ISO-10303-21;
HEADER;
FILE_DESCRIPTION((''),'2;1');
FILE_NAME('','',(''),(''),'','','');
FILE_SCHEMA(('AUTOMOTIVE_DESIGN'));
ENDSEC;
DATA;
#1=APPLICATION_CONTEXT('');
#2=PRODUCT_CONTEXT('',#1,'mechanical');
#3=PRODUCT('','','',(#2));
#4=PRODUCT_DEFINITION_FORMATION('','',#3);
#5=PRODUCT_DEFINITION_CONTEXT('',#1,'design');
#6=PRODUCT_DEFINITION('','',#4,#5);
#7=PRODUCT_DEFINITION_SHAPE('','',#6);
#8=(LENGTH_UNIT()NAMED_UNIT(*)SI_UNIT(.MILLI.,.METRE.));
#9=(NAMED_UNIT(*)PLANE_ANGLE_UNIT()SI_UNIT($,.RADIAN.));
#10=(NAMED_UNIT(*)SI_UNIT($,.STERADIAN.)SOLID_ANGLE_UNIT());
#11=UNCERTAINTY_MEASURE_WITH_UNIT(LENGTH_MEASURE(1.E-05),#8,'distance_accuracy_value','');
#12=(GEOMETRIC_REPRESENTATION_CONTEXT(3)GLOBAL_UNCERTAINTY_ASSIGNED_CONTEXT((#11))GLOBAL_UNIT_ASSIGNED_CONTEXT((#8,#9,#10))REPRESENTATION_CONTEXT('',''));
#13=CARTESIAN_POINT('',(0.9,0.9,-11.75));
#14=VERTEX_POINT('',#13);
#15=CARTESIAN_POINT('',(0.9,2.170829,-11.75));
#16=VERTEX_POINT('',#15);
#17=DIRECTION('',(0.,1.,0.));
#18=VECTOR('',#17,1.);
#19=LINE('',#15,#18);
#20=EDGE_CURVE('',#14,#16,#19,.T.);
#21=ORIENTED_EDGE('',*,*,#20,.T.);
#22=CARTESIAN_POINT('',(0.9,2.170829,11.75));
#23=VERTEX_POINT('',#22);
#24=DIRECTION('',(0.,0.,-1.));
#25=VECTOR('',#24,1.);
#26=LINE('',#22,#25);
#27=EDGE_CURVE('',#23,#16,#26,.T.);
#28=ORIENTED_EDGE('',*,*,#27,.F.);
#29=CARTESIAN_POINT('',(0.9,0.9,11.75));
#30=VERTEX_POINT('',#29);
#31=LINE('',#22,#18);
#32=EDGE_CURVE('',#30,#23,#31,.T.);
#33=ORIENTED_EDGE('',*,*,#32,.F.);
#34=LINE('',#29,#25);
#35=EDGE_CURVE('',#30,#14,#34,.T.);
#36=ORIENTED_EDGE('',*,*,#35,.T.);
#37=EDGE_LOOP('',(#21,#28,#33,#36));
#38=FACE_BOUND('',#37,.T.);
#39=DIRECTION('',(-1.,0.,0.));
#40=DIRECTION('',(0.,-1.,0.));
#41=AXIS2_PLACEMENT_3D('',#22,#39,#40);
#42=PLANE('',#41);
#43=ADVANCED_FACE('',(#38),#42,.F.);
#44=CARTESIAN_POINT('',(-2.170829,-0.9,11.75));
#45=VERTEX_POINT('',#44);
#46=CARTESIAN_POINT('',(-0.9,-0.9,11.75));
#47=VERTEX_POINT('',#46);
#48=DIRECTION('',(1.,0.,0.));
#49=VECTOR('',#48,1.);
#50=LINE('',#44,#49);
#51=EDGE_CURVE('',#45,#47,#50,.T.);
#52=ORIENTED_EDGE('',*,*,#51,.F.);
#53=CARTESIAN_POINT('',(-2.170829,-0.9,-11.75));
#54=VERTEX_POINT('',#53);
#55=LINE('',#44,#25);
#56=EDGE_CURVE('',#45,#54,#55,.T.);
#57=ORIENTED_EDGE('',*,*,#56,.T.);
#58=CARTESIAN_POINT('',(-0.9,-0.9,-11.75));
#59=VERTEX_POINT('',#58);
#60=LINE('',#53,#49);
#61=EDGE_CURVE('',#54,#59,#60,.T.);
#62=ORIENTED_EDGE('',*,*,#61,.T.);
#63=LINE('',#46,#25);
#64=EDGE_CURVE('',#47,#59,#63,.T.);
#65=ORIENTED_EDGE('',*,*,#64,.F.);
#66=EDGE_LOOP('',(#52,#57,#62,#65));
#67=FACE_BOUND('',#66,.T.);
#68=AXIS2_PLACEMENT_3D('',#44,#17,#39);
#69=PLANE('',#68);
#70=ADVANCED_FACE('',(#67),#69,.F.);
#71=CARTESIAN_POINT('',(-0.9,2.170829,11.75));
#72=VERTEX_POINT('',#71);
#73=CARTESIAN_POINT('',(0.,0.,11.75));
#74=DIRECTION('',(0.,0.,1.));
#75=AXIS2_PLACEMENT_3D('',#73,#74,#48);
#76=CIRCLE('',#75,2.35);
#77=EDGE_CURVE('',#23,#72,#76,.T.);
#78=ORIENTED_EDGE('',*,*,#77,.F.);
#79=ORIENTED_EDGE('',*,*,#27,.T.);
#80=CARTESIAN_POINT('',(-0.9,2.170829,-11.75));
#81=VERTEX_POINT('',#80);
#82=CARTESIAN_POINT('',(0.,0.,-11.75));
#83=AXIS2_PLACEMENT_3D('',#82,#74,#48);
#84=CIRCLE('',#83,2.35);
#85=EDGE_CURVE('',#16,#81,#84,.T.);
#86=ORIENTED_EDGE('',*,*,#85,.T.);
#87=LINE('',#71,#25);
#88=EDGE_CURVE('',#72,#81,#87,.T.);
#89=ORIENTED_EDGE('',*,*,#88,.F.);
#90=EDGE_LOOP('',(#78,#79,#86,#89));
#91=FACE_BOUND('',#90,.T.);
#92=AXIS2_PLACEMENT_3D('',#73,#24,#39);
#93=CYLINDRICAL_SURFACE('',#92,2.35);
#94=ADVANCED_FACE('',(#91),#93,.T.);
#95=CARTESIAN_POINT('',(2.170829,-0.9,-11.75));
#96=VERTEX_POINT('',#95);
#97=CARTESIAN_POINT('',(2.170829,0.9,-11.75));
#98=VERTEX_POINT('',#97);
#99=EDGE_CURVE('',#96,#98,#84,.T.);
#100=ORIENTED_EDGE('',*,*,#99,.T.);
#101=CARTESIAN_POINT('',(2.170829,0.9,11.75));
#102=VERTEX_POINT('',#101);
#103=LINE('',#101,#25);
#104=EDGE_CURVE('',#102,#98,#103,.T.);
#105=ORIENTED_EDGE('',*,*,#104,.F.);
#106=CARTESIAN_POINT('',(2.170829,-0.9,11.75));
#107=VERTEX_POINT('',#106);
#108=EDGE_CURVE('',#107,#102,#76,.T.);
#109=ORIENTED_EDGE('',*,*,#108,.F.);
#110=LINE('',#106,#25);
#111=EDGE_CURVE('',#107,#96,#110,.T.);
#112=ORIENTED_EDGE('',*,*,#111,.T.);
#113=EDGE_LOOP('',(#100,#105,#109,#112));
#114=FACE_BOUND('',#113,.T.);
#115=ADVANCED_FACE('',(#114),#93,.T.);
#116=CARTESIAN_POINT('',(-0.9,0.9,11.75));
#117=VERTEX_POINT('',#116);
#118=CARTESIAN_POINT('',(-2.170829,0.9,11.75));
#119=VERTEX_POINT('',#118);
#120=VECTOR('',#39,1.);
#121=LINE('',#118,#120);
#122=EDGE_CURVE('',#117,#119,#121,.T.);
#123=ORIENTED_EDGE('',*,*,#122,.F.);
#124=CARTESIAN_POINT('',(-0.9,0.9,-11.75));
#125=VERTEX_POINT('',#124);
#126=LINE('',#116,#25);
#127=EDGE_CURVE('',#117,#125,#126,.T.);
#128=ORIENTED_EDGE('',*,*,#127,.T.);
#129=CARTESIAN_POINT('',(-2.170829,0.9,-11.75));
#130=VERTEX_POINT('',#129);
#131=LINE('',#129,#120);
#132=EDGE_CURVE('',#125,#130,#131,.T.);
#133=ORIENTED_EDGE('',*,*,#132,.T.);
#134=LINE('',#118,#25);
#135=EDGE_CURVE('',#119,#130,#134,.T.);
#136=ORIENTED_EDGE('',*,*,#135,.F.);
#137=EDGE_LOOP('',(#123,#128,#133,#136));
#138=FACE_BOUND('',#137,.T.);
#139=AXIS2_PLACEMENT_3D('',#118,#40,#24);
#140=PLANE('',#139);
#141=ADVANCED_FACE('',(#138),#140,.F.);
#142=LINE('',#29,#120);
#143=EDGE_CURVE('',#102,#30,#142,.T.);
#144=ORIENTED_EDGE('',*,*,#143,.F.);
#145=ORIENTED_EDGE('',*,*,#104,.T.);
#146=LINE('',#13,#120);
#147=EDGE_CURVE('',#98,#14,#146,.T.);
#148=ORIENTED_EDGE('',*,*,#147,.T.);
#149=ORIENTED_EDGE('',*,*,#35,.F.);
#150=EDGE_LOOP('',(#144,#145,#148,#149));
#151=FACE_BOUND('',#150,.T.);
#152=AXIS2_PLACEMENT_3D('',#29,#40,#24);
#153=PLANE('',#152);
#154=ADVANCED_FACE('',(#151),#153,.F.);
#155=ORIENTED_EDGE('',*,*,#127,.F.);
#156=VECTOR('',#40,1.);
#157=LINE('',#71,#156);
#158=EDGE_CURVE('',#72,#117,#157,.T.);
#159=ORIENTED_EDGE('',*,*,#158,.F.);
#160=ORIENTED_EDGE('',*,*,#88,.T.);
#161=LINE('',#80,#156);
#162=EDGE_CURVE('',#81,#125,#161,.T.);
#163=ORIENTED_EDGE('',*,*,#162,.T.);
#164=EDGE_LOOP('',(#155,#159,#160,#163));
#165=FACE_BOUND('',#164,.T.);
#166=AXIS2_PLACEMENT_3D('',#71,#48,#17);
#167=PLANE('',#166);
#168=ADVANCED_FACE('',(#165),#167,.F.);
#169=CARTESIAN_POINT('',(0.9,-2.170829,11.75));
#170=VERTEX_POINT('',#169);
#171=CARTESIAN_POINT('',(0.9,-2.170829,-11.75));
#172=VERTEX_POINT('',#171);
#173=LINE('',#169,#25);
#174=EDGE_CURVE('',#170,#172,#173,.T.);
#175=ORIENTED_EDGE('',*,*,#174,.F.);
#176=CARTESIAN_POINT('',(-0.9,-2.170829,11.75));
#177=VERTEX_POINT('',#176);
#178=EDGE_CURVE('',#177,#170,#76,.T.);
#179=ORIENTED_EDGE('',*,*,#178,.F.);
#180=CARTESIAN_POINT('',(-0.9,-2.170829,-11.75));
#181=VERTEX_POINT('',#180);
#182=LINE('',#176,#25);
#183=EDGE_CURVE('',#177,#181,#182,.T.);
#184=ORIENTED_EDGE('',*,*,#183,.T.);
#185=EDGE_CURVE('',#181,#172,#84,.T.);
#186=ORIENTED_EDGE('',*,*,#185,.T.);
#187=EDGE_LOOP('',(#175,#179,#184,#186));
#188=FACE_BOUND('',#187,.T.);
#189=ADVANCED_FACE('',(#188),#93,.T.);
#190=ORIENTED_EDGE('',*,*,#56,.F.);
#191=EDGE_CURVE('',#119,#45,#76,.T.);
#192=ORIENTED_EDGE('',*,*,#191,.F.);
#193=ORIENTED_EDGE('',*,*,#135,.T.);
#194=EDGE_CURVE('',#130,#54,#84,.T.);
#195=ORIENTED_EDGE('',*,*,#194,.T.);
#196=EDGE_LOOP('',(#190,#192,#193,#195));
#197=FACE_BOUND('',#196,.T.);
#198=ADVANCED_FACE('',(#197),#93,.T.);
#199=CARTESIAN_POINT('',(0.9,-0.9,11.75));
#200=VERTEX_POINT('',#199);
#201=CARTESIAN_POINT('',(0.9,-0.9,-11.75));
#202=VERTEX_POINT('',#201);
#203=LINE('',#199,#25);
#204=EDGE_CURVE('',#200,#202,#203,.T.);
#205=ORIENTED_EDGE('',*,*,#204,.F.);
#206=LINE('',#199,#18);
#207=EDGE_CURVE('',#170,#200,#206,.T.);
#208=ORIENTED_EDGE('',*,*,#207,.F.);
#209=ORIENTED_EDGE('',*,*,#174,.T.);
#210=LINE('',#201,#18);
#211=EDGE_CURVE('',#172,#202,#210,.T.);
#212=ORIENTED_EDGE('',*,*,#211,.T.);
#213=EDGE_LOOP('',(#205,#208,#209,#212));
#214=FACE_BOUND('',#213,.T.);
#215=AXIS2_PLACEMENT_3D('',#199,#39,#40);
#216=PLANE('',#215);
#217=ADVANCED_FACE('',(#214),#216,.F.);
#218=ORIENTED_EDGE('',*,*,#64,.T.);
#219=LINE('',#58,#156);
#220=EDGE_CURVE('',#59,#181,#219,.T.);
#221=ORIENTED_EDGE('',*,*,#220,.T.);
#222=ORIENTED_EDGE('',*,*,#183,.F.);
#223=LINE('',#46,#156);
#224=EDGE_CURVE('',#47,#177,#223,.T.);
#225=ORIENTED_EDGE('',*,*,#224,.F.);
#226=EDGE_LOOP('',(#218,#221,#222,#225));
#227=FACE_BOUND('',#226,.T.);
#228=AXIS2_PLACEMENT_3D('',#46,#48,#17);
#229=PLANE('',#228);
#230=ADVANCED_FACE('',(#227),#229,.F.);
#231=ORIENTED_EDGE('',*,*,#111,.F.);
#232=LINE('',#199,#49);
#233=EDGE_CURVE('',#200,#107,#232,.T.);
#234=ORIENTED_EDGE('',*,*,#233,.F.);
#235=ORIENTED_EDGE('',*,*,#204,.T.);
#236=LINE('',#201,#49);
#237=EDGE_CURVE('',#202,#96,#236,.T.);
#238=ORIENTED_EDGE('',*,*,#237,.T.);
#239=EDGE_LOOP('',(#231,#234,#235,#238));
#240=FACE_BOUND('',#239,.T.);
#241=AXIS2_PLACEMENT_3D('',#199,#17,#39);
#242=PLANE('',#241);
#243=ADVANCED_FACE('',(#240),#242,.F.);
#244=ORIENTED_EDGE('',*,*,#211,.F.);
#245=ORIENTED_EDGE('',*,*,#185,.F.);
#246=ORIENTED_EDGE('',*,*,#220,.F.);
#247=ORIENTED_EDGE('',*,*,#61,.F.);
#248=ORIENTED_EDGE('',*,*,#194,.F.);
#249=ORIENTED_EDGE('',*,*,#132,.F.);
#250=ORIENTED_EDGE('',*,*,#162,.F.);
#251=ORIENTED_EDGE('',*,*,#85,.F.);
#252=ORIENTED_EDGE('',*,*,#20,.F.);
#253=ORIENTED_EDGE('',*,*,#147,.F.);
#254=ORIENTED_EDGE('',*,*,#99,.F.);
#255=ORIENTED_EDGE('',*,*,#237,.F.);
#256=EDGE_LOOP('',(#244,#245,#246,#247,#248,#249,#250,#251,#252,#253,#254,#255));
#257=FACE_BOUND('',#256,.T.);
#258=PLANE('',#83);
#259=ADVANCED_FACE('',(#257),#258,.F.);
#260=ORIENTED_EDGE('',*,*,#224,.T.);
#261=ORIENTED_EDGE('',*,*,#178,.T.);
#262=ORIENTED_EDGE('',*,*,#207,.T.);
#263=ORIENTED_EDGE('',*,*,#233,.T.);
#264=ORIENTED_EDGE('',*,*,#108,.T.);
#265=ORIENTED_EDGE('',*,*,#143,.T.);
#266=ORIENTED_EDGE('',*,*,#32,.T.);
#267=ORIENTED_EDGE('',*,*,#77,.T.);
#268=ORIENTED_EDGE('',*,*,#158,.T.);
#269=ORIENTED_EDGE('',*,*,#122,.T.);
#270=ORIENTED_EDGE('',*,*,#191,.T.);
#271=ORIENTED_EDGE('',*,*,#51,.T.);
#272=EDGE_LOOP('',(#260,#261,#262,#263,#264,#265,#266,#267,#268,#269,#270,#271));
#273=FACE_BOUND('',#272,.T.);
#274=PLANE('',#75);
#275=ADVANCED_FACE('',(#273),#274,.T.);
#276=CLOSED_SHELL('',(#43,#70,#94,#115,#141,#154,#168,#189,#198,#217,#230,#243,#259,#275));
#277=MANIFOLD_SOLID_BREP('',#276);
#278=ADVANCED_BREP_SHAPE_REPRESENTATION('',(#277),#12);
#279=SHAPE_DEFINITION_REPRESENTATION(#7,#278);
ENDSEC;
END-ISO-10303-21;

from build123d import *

# Parameters (mm, degrees)
BOSS_EXTRUDE1_DEPTH = 11.75


with BuildPart() as part:
    # Sketch1 → Boss-Extrude1 (new, symmetric)
    with BuildSketch(Plane.XY):
        with BuildLine():
            Line((-0.9, 2.170829335), (-0.9, 0.9))
            Line((-0.9, 0.9), (-2.170829335, 0.9))
            ThreePointArc((-2.170829335, 0.9), (-2.35, 0), (-2.170829335, -0.9))
            Line((-2.170829335, -0.9), (-0.9, -0.9))
            Line((-0.9, -0.9), (-0.9, -2.170829335))
            ThreePointArc((-0.9, -2.170829335), (0, -2.35), (0.9, -2.170829335))
            Line((0.9, -2.170829335), (0.9, -0.9))
            Line((0.9, -0.9), (2.170829335, -0.9))
            ThreePointArc((2.170829335, -0.9), (2.35, 0), (2.170829335, 0.9))
            Line((2.170829335, 0.9), (0.9, 0.9))
            Line((0.9, 0.9), (0.9, 2.170829335))
            ThreePointArc((0.9, 2.170829335), (0, 2.35), (-0.9, 2.170829335))
        make_face()
    extrude(amount=BOSS_EXTRUDE1_DEPTH, both=True)


solid = part.part
